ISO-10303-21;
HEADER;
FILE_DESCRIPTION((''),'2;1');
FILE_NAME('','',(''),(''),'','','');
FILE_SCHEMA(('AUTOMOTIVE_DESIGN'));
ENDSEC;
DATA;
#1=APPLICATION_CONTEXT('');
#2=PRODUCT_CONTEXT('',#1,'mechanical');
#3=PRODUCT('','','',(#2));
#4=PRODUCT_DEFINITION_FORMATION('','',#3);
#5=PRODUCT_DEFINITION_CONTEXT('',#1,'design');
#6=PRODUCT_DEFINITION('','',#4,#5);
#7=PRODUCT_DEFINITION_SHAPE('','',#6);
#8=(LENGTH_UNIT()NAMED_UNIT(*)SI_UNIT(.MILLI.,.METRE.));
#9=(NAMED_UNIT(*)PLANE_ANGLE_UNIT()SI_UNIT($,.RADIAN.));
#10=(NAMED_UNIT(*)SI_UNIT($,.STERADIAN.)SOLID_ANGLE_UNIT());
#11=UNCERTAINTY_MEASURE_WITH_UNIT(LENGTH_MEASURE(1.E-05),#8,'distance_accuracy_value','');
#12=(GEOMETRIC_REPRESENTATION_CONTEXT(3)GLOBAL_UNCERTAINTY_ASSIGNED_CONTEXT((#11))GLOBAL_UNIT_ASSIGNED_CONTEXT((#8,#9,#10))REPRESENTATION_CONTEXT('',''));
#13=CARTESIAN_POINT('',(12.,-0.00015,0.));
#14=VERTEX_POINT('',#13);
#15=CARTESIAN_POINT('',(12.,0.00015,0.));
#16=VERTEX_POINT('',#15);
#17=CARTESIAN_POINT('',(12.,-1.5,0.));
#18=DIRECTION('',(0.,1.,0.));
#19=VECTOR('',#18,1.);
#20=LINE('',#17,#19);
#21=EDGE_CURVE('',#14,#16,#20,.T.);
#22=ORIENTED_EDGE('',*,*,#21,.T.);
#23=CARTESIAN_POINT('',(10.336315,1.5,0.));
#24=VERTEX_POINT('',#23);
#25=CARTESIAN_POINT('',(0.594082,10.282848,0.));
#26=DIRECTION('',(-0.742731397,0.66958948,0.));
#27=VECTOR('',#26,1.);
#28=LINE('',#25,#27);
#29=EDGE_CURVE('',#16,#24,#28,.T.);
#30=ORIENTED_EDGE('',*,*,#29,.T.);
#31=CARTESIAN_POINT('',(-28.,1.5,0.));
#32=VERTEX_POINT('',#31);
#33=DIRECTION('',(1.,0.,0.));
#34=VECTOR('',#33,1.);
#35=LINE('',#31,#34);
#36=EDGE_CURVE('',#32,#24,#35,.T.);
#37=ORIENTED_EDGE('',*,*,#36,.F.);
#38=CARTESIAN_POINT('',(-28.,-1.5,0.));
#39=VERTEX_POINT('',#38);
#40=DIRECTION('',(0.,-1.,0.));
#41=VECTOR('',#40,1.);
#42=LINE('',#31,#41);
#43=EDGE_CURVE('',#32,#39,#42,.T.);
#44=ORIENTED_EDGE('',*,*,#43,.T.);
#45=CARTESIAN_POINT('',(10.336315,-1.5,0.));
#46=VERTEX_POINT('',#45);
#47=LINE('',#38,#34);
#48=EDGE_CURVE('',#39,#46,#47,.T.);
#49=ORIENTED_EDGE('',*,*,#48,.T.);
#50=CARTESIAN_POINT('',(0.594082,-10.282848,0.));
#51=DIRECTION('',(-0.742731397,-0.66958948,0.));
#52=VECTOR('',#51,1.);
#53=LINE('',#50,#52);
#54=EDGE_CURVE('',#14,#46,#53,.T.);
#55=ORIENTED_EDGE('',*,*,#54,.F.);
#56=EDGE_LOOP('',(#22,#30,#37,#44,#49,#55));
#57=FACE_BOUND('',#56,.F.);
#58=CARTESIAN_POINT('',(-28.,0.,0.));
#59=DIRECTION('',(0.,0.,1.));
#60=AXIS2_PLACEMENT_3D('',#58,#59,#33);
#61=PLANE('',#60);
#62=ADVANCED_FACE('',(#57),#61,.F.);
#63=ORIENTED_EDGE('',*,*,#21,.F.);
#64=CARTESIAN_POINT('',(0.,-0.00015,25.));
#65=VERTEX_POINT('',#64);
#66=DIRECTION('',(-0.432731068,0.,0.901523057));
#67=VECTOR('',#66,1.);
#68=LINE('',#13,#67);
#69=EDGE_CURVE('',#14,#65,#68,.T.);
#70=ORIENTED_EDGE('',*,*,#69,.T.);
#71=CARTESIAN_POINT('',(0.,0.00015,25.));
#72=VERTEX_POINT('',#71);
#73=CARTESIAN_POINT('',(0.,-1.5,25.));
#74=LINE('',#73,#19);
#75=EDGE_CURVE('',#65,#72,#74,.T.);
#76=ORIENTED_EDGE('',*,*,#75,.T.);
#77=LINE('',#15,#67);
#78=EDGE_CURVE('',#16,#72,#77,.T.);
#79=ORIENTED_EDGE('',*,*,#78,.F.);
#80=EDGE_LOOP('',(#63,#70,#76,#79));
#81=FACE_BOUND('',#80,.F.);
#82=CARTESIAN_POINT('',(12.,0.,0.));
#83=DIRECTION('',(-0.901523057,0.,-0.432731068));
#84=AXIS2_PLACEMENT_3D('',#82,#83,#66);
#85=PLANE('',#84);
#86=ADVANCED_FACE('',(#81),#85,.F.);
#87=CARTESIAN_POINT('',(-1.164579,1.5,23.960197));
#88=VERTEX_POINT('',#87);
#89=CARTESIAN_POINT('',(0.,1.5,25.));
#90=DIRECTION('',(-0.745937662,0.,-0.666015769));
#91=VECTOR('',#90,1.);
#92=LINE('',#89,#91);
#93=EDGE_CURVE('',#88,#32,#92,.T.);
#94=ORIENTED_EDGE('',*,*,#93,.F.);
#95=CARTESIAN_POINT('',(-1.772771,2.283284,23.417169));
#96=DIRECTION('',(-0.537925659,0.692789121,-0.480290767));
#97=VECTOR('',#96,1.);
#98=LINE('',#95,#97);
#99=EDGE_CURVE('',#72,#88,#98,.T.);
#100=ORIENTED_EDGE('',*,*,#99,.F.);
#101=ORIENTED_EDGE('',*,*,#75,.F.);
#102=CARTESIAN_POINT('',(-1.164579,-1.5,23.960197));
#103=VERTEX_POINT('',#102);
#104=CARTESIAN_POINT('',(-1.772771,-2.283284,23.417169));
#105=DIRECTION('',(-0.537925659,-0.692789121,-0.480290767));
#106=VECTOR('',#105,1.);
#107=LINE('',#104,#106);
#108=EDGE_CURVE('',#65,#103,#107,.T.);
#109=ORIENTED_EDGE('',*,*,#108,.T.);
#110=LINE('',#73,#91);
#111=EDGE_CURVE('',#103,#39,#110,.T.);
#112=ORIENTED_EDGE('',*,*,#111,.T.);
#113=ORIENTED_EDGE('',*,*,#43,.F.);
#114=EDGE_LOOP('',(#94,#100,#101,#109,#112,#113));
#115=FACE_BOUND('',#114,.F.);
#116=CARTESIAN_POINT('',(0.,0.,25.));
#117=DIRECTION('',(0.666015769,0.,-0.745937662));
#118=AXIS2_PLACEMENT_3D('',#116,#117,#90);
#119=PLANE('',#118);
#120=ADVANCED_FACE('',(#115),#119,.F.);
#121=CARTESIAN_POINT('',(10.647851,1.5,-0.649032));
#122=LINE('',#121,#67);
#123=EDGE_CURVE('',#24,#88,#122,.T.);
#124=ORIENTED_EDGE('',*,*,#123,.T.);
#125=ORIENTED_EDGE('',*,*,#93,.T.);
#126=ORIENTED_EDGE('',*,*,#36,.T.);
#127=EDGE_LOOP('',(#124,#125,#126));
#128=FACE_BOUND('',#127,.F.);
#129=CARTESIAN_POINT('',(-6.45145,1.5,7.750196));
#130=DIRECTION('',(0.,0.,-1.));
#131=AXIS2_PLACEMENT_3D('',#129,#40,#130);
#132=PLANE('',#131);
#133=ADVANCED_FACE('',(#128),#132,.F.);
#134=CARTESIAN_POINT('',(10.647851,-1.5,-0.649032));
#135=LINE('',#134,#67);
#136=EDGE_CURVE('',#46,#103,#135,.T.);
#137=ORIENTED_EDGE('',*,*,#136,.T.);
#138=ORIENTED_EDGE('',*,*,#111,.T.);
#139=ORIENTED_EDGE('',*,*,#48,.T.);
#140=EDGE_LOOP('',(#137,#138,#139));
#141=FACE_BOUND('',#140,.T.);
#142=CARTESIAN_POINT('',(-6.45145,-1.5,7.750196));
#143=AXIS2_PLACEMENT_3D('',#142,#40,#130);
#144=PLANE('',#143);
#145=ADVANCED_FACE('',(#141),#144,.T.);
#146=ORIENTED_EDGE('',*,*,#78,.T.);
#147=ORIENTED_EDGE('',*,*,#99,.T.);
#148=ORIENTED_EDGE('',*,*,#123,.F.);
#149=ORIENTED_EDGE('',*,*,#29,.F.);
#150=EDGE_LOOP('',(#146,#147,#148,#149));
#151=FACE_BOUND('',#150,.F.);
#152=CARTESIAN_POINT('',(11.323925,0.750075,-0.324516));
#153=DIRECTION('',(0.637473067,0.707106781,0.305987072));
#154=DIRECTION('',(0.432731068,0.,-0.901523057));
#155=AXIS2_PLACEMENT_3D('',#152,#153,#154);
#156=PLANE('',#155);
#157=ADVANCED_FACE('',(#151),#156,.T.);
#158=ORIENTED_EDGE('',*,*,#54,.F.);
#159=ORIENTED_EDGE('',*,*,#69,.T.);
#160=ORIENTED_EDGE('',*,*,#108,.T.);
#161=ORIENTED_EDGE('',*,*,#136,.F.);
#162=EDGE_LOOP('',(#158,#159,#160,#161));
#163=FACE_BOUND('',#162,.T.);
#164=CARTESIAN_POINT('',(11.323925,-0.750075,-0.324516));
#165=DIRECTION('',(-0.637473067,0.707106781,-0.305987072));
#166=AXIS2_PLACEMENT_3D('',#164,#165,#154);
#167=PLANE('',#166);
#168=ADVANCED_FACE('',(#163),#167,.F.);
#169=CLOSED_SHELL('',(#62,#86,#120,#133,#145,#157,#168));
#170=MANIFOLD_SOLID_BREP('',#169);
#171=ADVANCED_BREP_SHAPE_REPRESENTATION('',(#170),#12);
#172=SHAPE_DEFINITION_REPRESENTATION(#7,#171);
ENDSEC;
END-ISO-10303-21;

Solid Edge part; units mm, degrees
sketch "Sketch1" plane through (0, 0, 0) normal (0, -1, 0) x (1, 0, 0)
  line L0 (0, 25) -> (-28, 0)
  line L1 (-28, 0) -> (12, 0)
  line L2 (12, 0) -> (0, 25)
extrude "Protrusion1" add sketch "Sketch1" along normal mid plane 3
chamfer "Chamfer_2" distance 1.5 angle 45 2 edges at (6, 1.5, 12.5) (6, -1.5, 12.5)
